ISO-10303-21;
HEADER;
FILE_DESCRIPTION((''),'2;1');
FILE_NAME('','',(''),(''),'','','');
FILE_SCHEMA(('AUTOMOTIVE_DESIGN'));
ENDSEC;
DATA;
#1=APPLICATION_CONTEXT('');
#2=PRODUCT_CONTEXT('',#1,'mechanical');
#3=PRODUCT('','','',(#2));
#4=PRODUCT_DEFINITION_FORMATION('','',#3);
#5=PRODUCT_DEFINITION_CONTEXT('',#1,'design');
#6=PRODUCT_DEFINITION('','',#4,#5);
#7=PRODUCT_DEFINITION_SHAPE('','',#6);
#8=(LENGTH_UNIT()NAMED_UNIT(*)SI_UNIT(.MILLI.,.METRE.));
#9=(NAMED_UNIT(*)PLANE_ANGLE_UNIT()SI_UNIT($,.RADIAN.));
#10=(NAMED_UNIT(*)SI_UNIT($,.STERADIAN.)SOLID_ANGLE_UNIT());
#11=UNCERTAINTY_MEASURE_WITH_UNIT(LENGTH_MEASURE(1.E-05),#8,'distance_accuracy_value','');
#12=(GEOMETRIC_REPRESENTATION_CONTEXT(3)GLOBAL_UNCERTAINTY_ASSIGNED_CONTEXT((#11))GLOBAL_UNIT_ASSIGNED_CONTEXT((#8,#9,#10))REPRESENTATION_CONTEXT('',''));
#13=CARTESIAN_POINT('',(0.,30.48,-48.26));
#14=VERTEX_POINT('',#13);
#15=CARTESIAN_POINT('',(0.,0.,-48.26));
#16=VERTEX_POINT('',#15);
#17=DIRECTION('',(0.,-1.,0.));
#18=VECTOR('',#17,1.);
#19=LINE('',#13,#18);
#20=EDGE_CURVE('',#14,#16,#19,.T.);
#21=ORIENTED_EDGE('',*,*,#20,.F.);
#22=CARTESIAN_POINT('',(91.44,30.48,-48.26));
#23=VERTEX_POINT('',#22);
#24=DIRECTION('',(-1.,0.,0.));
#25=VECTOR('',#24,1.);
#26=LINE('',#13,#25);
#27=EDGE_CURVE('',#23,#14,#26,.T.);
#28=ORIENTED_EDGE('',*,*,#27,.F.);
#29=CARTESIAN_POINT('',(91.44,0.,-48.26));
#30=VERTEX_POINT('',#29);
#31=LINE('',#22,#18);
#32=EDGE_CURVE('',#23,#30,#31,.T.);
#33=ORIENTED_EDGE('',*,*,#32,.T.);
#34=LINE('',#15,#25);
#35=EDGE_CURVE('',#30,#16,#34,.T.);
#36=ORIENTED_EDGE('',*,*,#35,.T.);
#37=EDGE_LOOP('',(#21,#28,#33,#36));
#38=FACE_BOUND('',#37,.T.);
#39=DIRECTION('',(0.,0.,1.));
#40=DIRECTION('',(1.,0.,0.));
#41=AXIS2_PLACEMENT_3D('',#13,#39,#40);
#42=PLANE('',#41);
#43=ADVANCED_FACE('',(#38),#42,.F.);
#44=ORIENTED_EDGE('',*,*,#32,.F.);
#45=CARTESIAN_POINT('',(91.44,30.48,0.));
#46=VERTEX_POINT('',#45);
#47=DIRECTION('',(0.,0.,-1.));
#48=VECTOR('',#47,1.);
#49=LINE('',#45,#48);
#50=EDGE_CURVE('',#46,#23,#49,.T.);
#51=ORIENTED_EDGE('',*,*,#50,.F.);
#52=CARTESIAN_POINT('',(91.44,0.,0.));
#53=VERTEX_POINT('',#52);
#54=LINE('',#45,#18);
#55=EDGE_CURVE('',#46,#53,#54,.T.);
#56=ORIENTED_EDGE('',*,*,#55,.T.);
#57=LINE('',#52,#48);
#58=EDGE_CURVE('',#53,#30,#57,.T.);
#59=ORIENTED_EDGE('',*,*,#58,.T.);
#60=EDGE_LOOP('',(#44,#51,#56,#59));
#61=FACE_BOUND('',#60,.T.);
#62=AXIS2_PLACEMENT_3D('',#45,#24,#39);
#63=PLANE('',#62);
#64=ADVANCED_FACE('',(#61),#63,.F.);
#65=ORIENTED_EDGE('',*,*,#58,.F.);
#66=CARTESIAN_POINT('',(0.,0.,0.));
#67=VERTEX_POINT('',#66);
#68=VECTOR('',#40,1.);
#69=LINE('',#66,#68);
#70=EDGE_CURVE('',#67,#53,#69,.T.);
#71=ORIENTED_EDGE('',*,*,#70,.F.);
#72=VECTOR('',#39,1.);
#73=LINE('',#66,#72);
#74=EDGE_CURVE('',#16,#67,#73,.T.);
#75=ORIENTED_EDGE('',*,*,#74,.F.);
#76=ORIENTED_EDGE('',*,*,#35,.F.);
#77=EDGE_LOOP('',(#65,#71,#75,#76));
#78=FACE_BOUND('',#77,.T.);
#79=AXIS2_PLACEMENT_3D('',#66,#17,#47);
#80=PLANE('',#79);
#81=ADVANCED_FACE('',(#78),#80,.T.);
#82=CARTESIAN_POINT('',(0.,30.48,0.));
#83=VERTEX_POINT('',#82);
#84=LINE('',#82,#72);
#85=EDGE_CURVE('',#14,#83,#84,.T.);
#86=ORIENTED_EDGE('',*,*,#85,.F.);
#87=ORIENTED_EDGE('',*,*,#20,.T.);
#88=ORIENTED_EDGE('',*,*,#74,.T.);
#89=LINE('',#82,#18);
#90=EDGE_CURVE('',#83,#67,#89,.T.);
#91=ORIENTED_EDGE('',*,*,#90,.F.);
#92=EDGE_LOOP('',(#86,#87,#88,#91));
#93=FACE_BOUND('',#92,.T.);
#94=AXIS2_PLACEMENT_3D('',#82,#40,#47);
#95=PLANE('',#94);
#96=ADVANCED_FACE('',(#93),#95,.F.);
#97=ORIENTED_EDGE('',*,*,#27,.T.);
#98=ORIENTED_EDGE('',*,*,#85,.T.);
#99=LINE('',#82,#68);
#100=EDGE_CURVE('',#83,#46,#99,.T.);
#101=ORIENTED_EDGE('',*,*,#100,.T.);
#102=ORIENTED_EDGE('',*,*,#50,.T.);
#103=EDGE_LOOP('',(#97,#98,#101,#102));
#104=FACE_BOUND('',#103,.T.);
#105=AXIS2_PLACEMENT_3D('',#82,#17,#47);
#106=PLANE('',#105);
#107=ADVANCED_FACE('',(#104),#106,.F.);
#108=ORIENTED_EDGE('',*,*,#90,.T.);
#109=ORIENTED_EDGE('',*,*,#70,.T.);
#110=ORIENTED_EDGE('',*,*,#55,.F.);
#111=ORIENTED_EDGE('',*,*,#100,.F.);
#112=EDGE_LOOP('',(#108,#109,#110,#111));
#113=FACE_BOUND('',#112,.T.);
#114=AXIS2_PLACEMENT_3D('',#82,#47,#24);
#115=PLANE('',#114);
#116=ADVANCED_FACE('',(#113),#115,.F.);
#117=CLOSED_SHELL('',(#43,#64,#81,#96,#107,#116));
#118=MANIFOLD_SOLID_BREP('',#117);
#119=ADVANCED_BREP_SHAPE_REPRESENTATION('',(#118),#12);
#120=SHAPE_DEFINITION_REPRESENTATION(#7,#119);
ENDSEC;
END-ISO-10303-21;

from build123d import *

# Parameters (mm, degrees)
SKETCH1_W           = 91.44
SKETCH1_H           = 48.26
BOSS_EXTRUDE1_DEPTH = 30.48


with BuildPart() as part:
    # Sketch1 → Boss-Extrude1 (new body)
    with BuildSketch(Plane(origin=(0, 0, 0), x_dir=(1, 0, 0), z_dir=(0, 1, 0))):
        with Locations((45.72, 24.13)):
            Rectangle(SKETCH1_W, SKETCH1_H)
    extrude(amount=BOSS_EXTRUDE1_DEPTH)


solid = part.part
